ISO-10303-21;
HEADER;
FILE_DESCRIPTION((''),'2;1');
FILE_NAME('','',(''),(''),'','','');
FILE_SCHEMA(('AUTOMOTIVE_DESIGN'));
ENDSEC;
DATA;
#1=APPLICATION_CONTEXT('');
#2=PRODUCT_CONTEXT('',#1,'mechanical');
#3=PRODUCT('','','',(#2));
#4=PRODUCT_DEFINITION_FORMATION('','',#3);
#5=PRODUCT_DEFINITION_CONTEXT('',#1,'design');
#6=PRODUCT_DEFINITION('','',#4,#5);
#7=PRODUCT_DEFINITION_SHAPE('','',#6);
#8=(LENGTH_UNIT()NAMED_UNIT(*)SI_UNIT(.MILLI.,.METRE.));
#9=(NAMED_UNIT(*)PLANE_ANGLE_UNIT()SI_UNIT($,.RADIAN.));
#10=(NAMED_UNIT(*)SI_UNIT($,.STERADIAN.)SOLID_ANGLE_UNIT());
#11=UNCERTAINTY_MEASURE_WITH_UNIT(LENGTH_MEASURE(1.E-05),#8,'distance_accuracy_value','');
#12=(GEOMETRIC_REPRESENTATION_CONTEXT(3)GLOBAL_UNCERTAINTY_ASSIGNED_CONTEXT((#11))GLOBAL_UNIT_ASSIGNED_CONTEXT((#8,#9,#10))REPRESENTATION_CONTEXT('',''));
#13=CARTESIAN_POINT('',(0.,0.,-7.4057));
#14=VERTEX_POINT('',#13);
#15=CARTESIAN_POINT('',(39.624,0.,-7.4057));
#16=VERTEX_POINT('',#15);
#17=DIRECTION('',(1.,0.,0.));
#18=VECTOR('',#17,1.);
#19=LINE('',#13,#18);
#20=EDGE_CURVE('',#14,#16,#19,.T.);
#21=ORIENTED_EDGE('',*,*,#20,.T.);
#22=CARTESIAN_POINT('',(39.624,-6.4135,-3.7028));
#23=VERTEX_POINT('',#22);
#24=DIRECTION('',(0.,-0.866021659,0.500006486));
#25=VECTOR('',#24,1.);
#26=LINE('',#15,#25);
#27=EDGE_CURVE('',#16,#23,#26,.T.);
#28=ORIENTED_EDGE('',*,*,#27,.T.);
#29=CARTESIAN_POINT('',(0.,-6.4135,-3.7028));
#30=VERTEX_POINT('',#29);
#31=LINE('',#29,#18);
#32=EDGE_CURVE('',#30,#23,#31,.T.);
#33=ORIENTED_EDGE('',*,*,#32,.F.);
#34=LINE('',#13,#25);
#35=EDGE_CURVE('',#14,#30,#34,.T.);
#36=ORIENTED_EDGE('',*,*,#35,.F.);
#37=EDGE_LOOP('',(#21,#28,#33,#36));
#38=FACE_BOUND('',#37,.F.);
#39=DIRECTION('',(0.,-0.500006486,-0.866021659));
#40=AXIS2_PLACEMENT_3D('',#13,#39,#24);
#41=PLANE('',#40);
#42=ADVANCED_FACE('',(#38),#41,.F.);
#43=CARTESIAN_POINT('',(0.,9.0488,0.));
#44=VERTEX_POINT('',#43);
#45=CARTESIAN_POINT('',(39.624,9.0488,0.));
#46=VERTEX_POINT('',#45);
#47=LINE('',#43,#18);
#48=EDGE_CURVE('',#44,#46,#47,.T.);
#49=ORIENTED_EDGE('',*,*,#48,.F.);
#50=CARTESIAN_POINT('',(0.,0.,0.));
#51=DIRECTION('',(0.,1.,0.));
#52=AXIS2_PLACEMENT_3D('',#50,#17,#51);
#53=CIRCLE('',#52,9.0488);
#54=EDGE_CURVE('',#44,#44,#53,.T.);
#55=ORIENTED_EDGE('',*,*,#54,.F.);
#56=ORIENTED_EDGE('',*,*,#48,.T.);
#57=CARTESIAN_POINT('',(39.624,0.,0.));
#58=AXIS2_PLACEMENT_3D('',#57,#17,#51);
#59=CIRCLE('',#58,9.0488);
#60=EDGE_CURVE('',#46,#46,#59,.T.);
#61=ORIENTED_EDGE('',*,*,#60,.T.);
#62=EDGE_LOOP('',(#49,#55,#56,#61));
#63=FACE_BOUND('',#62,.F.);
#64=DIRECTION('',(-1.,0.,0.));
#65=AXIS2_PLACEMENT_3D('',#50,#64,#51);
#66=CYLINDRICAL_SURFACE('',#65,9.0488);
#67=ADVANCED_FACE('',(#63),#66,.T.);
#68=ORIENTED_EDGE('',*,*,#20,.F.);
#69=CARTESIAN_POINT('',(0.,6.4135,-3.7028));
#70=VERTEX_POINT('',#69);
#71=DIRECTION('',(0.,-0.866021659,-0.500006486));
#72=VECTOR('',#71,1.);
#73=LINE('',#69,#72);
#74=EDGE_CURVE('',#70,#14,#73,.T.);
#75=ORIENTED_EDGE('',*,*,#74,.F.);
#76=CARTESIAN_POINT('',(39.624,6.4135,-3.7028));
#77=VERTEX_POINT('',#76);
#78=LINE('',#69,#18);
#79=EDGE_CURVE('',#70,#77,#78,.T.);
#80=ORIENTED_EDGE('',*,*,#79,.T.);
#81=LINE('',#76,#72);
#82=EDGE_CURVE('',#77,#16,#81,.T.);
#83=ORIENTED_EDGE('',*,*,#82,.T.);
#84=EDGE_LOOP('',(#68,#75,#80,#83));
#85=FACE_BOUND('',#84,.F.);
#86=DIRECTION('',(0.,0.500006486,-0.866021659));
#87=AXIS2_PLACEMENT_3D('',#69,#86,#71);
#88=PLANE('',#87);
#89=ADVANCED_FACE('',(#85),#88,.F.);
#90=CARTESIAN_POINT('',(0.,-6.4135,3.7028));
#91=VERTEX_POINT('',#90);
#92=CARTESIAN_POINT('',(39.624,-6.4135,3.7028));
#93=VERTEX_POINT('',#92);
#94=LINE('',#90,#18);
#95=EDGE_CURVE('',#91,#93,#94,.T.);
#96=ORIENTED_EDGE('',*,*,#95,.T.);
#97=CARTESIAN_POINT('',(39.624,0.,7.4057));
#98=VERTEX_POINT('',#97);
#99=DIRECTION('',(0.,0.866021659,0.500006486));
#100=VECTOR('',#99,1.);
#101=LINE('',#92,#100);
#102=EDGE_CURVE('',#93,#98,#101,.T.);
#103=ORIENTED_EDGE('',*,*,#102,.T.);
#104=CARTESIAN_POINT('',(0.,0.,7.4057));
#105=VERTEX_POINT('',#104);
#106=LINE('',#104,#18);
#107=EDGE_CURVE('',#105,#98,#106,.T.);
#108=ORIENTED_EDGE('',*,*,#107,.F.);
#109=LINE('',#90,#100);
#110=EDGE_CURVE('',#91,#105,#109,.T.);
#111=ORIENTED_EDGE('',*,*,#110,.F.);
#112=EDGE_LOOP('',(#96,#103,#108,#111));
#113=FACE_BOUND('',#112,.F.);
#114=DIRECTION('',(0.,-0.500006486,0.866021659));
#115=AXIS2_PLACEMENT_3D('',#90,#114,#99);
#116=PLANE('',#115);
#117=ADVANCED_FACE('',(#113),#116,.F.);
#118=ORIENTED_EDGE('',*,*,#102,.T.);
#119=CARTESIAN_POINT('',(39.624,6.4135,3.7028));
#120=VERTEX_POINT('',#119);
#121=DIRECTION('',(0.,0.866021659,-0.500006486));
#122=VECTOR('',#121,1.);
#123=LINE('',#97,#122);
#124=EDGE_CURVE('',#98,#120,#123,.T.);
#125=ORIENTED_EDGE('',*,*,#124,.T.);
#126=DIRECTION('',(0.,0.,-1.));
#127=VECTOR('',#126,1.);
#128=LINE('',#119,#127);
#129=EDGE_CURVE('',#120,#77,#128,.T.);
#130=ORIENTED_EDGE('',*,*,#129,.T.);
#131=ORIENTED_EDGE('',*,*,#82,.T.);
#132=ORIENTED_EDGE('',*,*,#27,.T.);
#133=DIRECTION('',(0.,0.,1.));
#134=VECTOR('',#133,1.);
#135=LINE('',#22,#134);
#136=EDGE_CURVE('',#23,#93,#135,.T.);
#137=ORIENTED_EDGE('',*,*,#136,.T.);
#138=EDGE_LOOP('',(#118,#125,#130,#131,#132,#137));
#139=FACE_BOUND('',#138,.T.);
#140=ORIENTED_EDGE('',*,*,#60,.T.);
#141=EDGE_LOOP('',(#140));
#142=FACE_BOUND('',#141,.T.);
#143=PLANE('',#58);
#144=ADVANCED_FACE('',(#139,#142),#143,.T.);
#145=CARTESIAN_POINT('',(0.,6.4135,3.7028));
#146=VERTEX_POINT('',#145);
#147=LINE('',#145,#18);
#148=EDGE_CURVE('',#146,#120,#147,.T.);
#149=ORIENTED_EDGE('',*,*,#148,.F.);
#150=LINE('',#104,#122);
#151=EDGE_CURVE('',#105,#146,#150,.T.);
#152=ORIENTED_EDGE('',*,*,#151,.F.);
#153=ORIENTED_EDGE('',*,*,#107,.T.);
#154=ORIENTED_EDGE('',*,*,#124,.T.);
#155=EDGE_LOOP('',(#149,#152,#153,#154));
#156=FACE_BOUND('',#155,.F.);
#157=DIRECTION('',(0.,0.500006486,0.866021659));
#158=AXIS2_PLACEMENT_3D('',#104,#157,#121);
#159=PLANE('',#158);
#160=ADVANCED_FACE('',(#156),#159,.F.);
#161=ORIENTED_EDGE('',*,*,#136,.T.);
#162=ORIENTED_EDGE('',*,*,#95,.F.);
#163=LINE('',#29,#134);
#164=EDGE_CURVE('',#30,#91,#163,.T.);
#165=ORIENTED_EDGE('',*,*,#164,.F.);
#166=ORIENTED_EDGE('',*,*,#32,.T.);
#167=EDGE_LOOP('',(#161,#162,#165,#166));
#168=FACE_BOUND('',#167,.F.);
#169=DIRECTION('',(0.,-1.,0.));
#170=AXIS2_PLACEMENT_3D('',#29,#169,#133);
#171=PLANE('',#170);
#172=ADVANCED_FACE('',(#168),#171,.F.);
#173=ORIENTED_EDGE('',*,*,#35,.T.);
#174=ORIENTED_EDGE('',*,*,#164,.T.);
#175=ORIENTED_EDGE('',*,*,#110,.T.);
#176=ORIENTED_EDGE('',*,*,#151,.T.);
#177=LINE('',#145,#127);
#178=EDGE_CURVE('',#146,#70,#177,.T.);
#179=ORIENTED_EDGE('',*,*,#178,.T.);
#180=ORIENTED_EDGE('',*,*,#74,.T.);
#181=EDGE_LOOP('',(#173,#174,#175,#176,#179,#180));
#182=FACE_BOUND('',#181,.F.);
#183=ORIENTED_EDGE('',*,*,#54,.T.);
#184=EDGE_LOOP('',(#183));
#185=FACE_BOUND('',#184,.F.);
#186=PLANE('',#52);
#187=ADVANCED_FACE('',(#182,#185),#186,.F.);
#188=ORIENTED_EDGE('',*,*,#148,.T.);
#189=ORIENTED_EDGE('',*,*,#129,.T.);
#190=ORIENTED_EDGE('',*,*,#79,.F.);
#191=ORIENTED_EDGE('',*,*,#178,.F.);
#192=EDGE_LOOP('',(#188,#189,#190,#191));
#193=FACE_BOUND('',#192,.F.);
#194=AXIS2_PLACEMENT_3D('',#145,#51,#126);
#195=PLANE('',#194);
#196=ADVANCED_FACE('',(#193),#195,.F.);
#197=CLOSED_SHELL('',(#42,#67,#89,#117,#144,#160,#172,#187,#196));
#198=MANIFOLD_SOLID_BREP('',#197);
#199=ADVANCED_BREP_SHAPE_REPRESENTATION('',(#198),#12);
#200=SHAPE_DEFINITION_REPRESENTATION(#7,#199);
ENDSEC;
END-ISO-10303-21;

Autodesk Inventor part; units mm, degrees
ref_plane "YZ Plane" through (0, 0, 0) normal (1, 0, 0) x (0, 1, 0)
ref_plane "XZ Plane" through (0, 0, 0) normal (0, 1, 0) x (-1, 0, 0)
ref_plane "XY Plane" through (0, 0, 0) normal (0, 0, 1) x (1, 0, 0)
sketch "Sketch1" plane through (0, 0, 0) normal (1, 0, 0) x (0, 1, 0)
  line L0 (6.4135, -3.7028) -> (0, -7.4057)
  line L1 (0, -7.4057) -> (-6.4135, -3.7028)
  line L2 (-6.4135, -3.7028) -> (-6.4135, 3.7028)
  line L3 (-6.4135, 3.7028) -> (0, 7.4057)
  line L4 (0, 7.4057) -> (6.4135, 3.7028)
  line L5 (6.4135, 3.7028) -> (6.4135, -3.7028)
  circle A0 centre (0, 0) radius 9.0488
  dimension "d0" = 12.827
  dimension "d1" = 18.0975
extrude "Extrusion1" add sketch "Sketch1" along normal blind 39.624
properties part number "3DPRINT,FLYWHEEL,SPACER" material "ABS Plastic"
